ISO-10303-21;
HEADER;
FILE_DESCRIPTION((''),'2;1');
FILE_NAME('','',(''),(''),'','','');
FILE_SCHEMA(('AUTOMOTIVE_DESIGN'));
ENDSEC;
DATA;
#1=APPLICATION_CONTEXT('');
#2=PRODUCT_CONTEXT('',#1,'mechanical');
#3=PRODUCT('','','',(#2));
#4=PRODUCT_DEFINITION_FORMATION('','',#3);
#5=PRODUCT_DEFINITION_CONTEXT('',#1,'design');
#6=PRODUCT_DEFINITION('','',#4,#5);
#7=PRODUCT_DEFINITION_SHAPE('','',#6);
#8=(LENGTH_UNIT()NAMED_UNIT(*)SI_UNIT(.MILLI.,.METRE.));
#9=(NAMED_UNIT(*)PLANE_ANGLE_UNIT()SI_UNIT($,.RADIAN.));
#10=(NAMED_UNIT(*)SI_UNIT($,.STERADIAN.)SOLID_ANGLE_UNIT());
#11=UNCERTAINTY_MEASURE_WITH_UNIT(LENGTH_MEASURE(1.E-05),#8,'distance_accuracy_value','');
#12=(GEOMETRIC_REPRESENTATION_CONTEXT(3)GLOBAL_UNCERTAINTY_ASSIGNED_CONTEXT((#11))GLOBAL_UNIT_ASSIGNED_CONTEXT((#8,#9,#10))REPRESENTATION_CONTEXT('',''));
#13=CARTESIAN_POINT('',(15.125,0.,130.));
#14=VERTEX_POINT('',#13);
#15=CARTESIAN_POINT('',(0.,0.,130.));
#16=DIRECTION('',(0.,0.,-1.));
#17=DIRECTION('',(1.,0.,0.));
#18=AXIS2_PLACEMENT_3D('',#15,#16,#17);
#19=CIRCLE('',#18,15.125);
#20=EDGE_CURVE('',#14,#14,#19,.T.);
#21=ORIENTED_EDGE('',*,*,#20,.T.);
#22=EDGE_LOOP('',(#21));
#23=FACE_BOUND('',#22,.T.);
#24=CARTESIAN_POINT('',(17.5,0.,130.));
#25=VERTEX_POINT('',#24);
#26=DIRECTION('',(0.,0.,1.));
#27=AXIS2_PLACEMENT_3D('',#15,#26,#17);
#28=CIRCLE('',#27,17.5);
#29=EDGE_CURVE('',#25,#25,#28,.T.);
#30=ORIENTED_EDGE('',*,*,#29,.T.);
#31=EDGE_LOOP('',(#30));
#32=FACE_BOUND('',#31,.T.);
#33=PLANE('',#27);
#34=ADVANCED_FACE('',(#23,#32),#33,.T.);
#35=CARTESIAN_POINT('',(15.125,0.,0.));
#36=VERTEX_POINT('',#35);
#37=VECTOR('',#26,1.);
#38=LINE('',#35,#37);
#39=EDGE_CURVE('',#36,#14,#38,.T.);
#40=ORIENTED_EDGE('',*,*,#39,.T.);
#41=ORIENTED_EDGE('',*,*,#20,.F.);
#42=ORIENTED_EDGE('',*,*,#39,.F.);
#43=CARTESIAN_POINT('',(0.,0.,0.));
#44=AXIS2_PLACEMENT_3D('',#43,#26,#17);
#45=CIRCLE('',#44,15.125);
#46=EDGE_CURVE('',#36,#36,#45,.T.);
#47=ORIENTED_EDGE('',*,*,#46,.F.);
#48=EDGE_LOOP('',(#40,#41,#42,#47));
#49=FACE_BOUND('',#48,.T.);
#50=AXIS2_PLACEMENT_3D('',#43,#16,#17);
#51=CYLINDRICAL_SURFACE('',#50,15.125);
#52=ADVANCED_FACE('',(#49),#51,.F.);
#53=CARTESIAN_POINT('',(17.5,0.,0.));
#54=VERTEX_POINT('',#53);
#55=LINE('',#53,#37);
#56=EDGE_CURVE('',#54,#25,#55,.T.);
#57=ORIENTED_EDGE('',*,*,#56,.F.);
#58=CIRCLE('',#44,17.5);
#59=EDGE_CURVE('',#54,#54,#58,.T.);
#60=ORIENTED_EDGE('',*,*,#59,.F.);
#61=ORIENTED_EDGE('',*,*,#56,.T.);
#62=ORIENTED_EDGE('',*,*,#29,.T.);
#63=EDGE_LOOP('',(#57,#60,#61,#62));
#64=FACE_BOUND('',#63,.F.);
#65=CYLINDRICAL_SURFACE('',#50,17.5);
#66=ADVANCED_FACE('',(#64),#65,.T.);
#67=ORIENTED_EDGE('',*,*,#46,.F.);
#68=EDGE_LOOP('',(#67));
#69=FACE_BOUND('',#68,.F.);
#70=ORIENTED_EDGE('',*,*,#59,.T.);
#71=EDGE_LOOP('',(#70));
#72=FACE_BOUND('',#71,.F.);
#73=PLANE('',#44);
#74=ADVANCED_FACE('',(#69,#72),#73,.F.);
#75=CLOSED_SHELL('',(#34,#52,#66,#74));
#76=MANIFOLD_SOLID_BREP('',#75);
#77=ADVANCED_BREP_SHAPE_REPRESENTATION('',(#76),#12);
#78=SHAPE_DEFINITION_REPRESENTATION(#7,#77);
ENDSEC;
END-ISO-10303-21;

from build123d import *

# Parameters (mm, degrees)
F0_R     = 17.5
F1_DEPTH = 130
F2_R     = 15.125
F3_DEPTH = 130.001


with BuildPart() as f1:
    # F0 (on Top) → F1 (new body)
    with BuildSketch(Plane.XY):
        Circle(F0_R)
    extrude(amount=F1_DEPTH)

    # F2 (on Top) → F3 (cut, through all)
    with BuildSketch(Plane.XY):
        Circle(F2_R)
    extrude(amount=F3_DEPTH, mode=Mode.SUBTRACT)


solid = f1.part
